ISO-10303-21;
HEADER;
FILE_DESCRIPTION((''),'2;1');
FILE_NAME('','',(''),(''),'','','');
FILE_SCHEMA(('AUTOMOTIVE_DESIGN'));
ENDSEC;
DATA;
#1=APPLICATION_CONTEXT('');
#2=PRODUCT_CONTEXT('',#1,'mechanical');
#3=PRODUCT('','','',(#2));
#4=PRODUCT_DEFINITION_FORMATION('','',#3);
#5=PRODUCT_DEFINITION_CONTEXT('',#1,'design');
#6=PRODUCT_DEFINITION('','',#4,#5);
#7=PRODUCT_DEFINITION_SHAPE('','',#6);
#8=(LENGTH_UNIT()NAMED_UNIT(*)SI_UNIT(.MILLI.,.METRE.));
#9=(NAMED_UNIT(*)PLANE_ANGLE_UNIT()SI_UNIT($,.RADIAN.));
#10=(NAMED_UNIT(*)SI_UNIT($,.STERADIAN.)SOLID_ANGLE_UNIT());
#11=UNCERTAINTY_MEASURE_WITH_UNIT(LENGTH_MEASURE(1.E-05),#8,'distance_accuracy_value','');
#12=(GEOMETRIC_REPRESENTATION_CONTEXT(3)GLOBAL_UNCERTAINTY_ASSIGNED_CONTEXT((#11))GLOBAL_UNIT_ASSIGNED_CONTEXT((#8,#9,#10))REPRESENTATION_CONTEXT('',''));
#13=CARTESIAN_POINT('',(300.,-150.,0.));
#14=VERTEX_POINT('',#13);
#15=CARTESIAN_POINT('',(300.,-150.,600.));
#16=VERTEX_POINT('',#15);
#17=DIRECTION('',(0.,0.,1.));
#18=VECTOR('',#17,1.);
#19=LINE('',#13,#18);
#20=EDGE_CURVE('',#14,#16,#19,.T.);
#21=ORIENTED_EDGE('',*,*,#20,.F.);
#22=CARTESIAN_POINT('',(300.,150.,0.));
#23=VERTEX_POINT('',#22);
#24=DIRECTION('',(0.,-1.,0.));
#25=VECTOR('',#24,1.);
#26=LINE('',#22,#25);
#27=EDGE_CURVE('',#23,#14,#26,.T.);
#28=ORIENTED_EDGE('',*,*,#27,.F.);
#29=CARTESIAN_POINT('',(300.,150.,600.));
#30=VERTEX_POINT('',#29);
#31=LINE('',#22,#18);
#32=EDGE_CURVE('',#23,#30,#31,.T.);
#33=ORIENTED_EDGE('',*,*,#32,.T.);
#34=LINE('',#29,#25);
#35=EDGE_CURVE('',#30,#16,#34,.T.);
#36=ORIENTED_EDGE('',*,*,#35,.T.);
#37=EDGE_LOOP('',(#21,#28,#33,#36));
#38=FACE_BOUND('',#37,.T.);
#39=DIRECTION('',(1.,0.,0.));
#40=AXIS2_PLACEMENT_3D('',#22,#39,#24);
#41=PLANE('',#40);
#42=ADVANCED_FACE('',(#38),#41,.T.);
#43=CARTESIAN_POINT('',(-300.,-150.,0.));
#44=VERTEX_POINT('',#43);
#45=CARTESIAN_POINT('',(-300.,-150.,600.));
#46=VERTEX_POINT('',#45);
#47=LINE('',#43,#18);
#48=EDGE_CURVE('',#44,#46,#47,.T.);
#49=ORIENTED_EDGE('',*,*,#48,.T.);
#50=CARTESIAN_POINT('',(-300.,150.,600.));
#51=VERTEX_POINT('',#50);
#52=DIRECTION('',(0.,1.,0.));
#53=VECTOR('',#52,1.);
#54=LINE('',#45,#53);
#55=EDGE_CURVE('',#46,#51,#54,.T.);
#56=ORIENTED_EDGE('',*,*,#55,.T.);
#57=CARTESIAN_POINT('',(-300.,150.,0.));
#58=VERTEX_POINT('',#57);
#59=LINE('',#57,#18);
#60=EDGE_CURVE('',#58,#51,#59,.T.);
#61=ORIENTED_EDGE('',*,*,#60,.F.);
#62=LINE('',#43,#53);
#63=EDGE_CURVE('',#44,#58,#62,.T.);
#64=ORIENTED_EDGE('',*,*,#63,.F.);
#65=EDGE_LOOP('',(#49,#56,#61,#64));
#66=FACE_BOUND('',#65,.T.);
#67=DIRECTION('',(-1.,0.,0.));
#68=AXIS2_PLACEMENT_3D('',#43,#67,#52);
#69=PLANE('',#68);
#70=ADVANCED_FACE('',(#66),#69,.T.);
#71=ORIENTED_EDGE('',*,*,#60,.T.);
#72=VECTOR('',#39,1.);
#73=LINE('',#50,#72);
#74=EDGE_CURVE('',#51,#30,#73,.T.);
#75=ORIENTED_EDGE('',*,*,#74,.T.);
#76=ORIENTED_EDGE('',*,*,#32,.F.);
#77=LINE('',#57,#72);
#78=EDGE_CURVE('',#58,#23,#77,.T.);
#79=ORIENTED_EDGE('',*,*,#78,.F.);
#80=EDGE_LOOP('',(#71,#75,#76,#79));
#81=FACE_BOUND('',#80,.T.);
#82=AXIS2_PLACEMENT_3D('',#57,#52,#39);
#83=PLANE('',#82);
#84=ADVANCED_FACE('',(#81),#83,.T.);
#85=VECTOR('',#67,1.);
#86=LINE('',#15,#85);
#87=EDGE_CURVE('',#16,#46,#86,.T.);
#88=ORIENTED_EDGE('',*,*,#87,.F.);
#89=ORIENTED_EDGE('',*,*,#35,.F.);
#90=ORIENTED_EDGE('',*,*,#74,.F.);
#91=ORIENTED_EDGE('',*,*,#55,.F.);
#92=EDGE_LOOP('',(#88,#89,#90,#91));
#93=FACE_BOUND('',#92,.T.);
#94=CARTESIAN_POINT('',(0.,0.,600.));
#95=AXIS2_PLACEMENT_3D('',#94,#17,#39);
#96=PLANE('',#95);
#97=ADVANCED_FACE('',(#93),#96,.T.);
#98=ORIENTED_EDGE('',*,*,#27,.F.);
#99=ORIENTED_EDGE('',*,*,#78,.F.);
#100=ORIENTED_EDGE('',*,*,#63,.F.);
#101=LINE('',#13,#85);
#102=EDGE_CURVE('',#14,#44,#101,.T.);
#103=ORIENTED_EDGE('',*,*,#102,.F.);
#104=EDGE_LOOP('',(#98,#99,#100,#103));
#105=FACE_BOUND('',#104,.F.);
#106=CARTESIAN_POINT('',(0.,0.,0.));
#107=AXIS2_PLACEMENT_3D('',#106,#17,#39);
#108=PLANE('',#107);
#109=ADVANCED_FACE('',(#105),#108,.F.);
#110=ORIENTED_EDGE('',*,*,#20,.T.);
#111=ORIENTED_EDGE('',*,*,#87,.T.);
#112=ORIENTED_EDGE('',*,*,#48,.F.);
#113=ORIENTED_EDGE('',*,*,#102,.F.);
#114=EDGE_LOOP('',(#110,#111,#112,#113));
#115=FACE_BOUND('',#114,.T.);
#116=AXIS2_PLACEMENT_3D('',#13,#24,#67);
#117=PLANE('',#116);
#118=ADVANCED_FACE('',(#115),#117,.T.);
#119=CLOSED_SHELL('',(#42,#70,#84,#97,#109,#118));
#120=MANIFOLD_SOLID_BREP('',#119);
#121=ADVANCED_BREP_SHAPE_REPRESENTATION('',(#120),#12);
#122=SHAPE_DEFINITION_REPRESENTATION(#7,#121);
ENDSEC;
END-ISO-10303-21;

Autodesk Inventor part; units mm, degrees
ref_plane "YZ Plane" through (0, 0, 0) normal (1, 0, 0) x (0, 1, 0)
ref_plane "XZ Plane" through (0, 0, 0) normal (0, 1, 0) x (-1, 0, 0)
ref_plane "XY Plane" through (0, 0, 0) normal (0, 0, 1) x (1, 0, 0)
sketch "Sketch1" plane through (0, 0, 0) normal (0, 0, 1) x (1, 0, 0)
  line L0 (-300, 150) -> (300, 150)
  line L1 (300, 150) -> (300, -150)
  line L2 (300, -150) -> (-300, -150)
  line L3 (-300, -150) -> (-300, 150)
  line L4 (-300, -150) -> (300, 150) construction
  point P0 (0, 0)
  point P1 (0, 0)
  dimension "d0" = 600
  dimension "d1" = 300
extrude "Extrusion1" add sketch "Sketch1" along normal blind 600
equation "\"d0\" = Длина"
equation "\"d1\" = глубина"
equation "\"d2\" = Высота"
equation "\"Длина\" = 600"
equation "\"глубина\" = 300"
equation "\"Высота\" = 600"
properties part number "Control box №2"
